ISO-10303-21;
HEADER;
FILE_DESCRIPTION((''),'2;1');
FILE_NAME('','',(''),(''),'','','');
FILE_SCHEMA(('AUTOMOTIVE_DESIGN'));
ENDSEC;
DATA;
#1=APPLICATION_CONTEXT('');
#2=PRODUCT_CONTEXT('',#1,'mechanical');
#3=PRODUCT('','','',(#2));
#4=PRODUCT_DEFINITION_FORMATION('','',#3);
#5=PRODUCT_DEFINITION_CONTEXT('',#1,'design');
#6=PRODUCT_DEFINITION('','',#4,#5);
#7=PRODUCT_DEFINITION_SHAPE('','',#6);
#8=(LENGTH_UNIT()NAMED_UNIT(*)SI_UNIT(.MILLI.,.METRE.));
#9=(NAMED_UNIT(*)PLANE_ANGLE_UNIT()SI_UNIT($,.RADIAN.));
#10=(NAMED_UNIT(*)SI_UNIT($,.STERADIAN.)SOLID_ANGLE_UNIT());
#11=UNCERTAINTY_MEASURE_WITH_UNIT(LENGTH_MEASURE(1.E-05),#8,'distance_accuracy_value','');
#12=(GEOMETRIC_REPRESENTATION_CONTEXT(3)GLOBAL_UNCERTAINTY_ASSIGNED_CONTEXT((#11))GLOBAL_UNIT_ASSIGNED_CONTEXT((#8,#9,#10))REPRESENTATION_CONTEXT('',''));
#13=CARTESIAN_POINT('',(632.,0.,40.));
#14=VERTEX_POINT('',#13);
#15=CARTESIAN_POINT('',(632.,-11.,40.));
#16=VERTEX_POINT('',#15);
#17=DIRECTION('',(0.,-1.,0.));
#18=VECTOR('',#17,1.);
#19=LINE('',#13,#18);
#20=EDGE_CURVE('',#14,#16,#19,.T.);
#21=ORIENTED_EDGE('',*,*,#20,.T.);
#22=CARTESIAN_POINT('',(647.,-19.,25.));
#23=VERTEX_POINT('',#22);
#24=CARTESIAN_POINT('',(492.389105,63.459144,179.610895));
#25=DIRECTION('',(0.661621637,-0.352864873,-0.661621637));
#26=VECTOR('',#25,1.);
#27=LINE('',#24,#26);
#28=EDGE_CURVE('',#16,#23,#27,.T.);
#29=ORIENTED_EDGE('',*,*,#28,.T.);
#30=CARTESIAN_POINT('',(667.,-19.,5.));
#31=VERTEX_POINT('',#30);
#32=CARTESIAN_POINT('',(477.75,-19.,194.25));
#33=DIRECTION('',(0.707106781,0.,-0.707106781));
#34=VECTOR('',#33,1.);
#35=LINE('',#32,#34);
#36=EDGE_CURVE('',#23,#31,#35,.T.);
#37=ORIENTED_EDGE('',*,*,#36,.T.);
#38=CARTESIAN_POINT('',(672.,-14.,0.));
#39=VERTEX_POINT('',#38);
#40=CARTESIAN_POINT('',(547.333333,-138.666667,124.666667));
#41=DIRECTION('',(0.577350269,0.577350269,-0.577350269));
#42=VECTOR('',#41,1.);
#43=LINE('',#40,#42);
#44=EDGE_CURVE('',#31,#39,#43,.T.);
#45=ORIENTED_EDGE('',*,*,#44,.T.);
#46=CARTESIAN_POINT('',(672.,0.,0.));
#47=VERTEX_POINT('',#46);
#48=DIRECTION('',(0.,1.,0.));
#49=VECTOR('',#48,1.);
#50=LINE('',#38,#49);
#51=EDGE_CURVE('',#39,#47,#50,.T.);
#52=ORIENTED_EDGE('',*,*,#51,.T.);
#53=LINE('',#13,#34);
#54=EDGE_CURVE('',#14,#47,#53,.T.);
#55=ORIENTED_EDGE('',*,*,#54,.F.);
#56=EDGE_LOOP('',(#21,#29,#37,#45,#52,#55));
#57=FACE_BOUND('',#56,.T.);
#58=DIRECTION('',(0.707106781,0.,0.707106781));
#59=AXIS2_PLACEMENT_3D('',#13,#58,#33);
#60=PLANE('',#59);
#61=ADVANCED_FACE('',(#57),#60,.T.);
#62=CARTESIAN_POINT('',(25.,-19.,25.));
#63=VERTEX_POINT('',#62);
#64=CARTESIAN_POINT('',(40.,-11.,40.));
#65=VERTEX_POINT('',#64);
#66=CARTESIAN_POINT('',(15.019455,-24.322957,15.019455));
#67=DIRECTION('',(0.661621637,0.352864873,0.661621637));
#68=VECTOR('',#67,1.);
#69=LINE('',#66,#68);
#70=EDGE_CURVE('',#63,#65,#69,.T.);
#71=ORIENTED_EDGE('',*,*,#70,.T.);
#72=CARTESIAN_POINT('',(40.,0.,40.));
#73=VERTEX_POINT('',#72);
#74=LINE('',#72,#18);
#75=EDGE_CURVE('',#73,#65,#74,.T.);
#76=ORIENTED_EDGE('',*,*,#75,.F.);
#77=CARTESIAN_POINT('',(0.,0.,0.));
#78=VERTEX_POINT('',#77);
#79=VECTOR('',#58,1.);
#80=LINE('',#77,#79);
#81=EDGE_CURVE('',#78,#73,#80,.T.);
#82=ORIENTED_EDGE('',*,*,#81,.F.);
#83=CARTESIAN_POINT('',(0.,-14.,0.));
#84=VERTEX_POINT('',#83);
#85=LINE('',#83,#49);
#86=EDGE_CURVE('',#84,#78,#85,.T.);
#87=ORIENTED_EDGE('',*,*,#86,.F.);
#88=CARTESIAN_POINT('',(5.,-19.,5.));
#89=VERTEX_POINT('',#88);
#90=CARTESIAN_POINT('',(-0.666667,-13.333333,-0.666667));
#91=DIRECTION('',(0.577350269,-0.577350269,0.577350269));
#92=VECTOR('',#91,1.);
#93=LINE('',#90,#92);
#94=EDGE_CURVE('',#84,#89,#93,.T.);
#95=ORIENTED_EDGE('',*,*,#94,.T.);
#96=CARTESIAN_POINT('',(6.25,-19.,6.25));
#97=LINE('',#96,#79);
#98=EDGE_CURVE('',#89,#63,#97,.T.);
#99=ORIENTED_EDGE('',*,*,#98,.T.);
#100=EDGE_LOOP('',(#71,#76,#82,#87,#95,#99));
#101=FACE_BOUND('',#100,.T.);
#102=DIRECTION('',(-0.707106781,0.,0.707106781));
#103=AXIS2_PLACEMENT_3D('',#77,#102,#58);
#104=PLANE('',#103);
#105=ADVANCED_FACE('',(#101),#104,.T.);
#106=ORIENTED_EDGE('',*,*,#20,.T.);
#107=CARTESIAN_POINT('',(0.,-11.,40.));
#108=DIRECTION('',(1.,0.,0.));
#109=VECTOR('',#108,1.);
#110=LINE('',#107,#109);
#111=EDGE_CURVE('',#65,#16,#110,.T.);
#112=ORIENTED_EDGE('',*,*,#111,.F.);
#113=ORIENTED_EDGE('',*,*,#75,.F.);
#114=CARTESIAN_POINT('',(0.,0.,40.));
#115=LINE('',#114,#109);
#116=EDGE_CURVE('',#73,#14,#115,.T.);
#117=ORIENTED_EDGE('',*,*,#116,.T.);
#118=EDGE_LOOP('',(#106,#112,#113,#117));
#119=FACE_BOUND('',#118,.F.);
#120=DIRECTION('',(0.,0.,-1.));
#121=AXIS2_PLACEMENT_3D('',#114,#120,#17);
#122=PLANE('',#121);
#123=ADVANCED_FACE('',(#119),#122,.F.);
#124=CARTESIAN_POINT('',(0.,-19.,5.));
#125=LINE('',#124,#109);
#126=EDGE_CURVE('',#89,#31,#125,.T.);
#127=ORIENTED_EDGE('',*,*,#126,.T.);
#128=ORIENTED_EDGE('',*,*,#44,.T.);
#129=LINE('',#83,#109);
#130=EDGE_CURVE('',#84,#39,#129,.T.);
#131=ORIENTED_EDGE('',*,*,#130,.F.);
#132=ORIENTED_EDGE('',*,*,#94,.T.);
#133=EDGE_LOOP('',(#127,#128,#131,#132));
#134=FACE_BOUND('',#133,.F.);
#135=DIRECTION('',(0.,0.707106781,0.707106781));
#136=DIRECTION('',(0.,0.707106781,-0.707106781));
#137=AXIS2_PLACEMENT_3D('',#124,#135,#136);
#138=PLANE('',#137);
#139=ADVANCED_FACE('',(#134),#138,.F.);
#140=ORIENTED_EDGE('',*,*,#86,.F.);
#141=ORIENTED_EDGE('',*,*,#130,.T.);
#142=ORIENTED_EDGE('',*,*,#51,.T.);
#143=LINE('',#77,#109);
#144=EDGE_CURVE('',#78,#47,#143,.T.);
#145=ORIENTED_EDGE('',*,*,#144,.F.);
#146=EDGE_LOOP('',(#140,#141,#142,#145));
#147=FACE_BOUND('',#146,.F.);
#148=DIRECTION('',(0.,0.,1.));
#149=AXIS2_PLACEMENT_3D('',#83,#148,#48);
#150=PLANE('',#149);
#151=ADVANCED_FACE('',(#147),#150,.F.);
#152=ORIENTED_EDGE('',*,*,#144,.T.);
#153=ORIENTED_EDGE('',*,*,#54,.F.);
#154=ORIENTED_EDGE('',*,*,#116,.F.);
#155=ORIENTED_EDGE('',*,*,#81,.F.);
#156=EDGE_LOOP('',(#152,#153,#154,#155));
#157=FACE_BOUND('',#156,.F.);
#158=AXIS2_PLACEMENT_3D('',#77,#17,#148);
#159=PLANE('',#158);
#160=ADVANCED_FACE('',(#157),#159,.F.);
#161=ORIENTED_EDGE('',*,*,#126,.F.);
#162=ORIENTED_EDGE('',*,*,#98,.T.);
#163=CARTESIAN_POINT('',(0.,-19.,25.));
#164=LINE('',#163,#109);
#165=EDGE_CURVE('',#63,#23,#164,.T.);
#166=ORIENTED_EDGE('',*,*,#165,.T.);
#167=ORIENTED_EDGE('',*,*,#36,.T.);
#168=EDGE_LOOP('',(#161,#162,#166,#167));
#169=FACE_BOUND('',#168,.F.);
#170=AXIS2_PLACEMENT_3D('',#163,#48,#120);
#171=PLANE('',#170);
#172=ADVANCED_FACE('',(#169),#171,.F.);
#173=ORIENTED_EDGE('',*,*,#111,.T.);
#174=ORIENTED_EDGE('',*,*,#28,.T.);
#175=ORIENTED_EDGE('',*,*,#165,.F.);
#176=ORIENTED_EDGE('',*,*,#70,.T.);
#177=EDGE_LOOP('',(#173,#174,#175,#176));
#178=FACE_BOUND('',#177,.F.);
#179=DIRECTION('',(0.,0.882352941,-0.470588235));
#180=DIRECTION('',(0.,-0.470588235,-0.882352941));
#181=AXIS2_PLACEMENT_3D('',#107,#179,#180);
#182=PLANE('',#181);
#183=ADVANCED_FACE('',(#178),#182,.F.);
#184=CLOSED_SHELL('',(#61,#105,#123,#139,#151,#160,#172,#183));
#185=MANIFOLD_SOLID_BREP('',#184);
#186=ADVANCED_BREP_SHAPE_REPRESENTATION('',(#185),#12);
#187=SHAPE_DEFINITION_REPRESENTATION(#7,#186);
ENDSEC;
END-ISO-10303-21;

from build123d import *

# Parameters (mm, degrees)
F1_DEPTH = 672
F3_DEPTH = 25


with BuildPart() as f1:
    # F0 (on Right) → F1 (new body)
    with BuildSketch(Plane.YZ):
        Polygon((-14, 0), (0, 0), (0, 40), (-11, 40), (-19, 25), (-19, 5), align=None)
    extrude(amount=F1_DEPTH)

    # F2 (on Front) → F3 (cut)
    with BuildSketch(Plane.XZ):
        Polygon((0, 40), (0, 0), (40, 40), align=None)
        Polygon((672, 40), (632, 40), (672, 0), align=None)
    extrude(amount=F3_DEPTH, mode=Mode.SUBTRACT)


solid = f1.part
